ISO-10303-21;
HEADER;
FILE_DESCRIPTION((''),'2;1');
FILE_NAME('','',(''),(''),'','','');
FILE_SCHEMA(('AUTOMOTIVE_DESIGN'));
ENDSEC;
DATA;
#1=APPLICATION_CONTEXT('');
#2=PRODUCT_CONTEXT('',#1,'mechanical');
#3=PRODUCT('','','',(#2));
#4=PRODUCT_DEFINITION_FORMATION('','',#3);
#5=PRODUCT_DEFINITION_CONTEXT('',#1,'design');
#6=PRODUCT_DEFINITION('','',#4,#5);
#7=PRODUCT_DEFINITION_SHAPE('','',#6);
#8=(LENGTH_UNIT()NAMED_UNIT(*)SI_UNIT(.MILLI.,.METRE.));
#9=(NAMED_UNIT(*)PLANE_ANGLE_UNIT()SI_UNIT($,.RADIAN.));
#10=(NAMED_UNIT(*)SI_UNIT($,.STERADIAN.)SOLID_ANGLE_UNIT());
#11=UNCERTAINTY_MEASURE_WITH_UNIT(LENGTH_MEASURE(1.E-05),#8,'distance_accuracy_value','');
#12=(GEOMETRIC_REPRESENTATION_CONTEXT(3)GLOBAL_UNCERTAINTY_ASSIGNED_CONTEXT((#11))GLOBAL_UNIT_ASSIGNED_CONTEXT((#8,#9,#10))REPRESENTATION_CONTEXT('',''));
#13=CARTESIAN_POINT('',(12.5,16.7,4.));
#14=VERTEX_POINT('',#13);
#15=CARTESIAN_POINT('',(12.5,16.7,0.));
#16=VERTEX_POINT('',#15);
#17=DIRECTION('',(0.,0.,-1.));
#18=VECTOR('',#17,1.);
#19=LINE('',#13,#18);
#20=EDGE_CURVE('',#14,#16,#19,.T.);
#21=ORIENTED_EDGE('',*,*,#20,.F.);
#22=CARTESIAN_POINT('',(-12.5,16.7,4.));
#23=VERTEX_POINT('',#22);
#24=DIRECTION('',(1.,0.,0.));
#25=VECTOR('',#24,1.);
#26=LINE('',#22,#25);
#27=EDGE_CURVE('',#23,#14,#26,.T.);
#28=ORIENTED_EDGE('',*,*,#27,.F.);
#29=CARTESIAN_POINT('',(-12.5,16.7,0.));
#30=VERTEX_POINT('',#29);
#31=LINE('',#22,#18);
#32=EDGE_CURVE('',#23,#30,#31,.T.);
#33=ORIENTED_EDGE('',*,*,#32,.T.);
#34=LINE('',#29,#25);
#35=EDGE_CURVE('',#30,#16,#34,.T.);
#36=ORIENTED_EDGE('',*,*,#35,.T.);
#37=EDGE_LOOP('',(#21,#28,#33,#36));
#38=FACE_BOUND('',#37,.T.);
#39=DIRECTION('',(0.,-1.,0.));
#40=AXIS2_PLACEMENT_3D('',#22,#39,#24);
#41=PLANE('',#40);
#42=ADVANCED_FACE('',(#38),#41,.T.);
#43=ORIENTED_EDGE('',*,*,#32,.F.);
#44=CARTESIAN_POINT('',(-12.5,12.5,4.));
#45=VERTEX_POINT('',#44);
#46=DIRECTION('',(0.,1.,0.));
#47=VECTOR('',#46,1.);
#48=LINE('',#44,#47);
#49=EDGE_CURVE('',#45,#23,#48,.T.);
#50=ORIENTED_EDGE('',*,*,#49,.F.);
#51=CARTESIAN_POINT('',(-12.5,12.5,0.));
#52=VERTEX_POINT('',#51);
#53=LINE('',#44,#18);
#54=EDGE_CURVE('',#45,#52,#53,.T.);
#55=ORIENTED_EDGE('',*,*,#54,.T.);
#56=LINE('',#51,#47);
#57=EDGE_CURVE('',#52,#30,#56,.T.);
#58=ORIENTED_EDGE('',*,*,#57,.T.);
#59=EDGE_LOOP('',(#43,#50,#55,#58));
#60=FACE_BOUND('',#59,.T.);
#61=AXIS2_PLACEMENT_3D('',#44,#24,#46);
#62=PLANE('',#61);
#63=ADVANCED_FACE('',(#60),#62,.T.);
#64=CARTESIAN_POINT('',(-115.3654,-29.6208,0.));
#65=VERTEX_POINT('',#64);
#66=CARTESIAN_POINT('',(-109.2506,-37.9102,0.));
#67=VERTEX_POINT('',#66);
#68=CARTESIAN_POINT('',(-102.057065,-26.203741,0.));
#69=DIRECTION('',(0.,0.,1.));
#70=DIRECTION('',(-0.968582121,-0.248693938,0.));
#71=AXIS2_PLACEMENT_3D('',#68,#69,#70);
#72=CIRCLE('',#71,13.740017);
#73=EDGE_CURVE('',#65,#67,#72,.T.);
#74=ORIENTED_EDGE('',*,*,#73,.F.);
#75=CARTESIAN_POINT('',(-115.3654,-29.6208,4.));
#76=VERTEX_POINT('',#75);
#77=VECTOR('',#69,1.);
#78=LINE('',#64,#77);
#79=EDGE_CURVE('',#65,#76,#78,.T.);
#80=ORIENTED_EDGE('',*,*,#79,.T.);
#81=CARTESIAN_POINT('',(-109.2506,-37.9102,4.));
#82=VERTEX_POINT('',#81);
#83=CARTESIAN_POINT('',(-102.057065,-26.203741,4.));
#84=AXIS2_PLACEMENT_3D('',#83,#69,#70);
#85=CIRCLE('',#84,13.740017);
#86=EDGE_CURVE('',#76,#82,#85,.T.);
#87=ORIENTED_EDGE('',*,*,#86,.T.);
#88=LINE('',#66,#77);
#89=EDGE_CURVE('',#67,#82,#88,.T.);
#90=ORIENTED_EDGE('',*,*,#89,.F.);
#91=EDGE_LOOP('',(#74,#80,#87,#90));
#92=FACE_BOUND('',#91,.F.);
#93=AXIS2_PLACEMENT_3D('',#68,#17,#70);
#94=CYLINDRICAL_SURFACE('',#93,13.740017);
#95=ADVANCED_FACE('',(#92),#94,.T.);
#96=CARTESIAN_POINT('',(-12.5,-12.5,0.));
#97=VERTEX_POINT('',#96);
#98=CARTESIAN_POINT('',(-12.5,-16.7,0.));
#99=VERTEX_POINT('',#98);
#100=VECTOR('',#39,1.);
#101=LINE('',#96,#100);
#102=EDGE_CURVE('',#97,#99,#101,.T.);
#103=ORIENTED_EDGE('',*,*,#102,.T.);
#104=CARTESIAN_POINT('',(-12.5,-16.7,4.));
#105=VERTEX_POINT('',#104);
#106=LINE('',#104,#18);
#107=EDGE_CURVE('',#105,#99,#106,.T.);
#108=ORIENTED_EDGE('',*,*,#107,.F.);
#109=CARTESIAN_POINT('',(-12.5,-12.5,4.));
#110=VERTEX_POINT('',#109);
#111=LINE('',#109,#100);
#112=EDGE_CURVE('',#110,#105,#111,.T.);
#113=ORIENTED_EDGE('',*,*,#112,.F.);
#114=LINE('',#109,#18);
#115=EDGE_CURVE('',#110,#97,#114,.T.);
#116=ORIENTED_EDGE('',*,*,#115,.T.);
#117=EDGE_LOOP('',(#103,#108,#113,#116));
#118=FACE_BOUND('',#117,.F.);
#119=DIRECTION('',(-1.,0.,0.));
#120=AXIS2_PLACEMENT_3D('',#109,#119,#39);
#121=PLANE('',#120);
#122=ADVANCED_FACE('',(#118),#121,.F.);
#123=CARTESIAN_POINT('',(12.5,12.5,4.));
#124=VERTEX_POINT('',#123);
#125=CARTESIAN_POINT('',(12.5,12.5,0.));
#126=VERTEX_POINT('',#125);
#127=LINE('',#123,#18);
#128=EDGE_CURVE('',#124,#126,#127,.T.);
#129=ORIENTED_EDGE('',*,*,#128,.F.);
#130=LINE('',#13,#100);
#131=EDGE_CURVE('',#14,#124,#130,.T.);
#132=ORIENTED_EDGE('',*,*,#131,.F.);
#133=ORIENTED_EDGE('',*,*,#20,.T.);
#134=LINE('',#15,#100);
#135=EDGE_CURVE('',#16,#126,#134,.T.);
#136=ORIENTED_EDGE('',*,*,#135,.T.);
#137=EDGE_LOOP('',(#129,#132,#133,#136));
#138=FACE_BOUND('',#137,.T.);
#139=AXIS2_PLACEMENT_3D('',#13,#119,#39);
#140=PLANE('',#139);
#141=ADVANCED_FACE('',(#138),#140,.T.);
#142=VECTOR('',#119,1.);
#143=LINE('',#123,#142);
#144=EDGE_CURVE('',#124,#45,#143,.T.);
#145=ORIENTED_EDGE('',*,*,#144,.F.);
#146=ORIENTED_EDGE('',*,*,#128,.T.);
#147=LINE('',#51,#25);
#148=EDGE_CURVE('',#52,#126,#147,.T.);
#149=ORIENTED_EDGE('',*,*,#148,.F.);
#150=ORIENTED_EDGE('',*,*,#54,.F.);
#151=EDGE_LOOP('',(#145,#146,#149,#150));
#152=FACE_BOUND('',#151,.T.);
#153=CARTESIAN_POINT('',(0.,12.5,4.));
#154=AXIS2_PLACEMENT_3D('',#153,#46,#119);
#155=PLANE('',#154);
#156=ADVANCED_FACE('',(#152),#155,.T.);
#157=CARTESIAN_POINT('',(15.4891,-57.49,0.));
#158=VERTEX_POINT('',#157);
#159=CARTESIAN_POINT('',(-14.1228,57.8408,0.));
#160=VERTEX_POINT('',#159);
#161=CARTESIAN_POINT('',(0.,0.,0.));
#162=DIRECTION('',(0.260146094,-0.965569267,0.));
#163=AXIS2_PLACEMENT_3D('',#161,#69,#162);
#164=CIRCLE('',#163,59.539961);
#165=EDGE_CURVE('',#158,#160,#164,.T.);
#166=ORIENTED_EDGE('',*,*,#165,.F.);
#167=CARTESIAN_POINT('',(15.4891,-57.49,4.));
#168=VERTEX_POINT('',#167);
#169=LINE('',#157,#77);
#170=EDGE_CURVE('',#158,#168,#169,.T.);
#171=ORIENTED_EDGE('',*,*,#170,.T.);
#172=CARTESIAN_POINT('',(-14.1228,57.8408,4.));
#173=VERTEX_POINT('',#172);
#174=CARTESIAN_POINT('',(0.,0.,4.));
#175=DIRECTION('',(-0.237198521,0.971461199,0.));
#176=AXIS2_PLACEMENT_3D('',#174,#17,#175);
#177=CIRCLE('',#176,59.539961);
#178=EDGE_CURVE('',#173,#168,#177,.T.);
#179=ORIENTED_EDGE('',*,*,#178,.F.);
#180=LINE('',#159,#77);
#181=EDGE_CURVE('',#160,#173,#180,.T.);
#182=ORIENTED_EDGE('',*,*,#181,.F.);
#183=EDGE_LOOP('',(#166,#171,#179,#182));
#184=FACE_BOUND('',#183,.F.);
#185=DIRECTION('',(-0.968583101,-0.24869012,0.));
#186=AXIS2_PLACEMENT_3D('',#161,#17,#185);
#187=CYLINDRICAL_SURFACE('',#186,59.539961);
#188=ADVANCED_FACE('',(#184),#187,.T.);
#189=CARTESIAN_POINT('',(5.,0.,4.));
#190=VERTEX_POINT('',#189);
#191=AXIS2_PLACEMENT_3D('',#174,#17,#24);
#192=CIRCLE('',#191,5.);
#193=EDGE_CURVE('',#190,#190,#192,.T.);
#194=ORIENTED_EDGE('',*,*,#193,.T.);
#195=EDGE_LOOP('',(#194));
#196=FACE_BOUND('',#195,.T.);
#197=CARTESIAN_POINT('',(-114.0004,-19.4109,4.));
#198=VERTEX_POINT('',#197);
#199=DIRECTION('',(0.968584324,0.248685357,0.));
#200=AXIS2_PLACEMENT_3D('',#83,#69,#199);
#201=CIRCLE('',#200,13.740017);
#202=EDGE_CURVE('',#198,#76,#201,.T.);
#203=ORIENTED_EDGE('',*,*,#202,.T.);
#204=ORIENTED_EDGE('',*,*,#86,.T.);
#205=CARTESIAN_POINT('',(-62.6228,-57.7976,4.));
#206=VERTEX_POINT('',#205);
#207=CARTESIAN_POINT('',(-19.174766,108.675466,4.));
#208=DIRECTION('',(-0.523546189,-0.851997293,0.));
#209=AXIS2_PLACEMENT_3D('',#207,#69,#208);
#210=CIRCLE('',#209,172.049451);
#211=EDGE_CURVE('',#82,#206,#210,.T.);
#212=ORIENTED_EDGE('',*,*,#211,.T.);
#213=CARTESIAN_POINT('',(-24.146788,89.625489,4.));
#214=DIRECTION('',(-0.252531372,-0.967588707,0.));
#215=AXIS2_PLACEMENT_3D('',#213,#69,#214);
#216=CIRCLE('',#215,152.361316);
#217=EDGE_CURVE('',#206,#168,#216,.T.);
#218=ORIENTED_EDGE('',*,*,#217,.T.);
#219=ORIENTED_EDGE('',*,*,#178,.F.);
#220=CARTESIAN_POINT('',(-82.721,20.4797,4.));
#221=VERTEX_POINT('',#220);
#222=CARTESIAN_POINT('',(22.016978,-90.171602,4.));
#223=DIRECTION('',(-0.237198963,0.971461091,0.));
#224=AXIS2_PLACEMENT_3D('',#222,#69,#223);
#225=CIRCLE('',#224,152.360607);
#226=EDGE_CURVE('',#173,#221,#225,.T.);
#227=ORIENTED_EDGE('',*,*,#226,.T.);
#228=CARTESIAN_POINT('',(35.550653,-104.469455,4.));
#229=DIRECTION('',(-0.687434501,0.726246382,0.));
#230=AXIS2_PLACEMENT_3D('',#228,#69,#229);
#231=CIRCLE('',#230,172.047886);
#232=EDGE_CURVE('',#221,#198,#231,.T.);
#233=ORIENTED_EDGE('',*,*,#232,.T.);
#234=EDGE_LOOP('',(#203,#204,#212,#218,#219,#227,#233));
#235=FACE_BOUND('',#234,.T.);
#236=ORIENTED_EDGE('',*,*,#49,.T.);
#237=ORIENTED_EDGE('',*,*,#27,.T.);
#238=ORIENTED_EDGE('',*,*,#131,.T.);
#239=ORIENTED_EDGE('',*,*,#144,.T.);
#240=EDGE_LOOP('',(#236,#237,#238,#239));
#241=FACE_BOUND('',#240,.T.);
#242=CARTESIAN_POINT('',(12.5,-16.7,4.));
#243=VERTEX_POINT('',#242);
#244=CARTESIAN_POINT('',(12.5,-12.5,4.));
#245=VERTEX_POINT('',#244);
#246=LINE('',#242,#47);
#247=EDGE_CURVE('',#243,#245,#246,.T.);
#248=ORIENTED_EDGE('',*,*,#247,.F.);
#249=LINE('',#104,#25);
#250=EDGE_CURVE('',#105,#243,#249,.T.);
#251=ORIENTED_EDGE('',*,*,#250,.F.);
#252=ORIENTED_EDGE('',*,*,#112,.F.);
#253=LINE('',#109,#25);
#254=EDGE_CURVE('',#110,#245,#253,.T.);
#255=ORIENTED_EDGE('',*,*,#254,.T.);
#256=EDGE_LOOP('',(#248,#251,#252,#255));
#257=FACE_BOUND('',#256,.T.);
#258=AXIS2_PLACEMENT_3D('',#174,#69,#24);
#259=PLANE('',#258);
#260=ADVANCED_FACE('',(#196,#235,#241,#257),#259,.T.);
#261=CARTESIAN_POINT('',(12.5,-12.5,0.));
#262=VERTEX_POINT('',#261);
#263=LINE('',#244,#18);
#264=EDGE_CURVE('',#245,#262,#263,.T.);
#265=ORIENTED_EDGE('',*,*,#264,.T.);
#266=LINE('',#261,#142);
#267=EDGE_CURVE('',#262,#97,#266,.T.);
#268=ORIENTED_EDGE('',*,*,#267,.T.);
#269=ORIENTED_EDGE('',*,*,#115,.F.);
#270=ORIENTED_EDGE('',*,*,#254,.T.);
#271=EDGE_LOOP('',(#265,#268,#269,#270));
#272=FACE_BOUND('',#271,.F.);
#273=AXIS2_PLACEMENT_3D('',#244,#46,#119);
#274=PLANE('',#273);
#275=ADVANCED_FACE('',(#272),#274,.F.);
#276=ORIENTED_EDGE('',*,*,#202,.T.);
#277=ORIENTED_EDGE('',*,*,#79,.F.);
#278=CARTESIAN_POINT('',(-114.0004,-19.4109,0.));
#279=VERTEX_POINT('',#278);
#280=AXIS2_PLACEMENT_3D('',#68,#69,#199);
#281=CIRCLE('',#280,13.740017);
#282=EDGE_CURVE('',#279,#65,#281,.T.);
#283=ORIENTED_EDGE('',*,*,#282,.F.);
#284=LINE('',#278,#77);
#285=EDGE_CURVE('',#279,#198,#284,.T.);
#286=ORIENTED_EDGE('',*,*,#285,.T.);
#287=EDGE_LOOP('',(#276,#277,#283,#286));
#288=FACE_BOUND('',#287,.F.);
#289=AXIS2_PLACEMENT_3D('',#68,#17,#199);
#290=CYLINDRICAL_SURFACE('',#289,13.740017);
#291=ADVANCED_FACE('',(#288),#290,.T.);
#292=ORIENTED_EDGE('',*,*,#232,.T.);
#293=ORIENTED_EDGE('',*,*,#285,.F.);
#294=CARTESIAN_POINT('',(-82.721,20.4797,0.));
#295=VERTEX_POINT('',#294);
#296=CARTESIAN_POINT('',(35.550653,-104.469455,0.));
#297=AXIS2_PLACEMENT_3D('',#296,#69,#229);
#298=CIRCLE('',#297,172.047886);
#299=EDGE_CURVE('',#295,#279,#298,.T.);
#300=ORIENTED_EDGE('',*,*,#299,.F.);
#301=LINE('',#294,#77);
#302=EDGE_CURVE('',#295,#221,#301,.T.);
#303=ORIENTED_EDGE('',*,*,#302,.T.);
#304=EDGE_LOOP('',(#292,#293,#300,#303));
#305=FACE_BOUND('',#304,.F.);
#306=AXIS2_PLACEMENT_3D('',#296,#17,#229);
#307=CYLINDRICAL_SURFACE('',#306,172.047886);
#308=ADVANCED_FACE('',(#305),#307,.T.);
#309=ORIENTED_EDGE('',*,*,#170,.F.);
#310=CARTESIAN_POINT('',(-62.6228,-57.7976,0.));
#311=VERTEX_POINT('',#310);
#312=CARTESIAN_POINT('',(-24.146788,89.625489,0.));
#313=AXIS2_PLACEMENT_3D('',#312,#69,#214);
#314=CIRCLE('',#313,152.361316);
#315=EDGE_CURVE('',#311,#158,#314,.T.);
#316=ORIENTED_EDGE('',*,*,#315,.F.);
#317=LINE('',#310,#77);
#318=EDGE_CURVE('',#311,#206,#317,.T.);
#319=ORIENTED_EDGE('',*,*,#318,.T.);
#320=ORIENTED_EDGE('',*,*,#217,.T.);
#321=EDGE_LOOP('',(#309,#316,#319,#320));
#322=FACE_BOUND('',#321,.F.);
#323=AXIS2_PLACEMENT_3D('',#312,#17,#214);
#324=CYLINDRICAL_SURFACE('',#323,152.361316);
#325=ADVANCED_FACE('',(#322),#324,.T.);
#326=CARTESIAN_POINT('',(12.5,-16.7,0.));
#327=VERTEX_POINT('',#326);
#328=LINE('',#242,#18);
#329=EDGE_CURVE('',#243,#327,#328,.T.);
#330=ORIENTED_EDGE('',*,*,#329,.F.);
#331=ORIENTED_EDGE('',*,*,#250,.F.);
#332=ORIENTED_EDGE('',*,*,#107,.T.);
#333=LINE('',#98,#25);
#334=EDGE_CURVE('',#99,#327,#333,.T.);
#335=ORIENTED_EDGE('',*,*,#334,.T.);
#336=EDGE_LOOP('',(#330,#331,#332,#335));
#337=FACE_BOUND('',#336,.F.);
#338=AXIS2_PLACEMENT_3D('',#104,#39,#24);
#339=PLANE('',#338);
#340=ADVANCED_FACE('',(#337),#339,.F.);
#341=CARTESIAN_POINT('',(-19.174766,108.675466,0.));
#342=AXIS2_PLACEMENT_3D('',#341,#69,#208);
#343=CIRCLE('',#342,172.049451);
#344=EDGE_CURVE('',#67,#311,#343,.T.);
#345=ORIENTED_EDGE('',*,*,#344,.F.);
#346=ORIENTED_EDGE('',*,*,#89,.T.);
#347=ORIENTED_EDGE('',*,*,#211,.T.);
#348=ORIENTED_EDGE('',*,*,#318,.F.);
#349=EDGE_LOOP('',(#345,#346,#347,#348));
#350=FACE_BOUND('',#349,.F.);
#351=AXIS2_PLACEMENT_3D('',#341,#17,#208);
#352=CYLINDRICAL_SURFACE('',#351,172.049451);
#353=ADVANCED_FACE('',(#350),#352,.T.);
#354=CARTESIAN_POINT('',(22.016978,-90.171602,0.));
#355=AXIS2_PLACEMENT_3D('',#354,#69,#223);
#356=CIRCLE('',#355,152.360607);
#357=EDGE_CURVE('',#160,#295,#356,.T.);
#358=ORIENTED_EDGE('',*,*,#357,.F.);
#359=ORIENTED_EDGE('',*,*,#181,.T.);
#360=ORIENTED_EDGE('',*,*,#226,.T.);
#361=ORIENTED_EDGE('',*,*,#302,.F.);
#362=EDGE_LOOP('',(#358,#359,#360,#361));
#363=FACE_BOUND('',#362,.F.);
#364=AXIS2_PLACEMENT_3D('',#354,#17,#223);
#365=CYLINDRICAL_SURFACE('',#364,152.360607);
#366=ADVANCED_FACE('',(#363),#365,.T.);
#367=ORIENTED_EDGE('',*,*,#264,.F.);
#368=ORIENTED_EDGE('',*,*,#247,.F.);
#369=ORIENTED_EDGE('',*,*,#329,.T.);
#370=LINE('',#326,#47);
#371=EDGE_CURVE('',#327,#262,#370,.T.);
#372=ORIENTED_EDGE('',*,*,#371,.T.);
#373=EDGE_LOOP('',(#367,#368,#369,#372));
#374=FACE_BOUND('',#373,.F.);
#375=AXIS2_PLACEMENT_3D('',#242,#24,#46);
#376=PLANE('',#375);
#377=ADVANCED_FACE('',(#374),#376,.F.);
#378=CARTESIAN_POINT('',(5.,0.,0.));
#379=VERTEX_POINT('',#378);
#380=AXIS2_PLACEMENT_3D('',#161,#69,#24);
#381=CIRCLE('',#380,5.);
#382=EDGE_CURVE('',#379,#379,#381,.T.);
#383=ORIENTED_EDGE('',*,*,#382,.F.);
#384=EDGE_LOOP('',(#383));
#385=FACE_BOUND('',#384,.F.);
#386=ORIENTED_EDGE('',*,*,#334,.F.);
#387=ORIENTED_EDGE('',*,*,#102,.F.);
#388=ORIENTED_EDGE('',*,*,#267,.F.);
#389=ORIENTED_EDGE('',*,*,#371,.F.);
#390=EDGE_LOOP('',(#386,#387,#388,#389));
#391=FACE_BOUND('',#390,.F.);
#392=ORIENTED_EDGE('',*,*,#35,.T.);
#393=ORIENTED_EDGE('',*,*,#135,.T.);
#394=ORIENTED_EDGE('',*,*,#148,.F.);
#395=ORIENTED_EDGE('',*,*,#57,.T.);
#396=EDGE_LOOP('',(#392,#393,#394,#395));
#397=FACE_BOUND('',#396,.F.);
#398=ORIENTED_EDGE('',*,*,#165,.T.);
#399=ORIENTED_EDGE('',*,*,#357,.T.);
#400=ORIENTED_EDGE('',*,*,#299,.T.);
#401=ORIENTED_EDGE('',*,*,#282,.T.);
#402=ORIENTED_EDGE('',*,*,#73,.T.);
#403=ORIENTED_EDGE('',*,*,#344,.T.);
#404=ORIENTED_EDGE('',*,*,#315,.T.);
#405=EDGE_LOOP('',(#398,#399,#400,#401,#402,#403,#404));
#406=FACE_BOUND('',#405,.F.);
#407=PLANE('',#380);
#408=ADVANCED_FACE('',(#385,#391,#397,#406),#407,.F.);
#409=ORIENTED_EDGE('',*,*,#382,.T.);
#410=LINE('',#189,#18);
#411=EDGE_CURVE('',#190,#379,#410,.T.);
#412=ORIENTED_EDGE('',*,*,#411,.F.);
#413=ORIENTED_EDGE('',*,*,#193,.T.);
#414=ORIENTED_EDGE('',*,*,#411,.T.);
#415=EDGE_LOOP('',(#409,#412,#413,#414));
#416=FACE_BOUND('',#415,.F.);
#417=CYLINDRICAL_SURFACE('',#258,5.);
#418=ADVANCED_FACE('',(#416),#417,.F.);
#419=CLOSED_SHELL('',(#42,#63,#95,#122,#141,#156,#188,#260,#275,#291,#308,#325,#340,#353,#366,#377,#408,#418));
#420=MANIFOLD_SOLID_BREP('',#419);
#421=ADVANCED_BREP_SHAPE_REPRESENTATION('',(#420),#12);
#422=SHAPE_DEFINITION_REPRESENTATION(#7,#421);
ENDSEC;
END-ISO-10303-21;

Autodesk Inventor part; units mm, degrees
ref_plane "YZ Plane" through (0, 0, 0) normal (1, 0, 0) x (0, 1, 0)
ref_plane "XZ Plane" through (0, 0, 0) normal (0, 1, 0) x (-1, 0, 0)
ref_plane "XY Plane" through (0, 0, 0) normal (0, 0, 1) x (1, 0, 0)
sketch "Boceto1" plane through (0, 0, 0) normal (0, 0, 1) x (1, 0, 0)
  arc A0 (57.6694, 14.807) -> (-57.6694, -14.807) centre (0, 0) ccw
  arc A1 (-88.7487, -22.7868) -> (-115.3654, -29.6208) centre (-102.0571, -26.2038) ccw
  line L0 (-119.2185, -30.6101) -> (-122.6355, -17.3018)
  line L1 (-14.1228, 57.8408) -> (-19.8178, 80.0214)
  line L2 (-19.8178, 80.0214) -> (-122.6355, -17.3018)
  line L3 (-122.6355, -17.3018) -> (-82.721, 20.4797)
  arc A2 (-14.1228, 57.8408) -> (-82.721, 20.4797) centre (22.0169, -90.1714) ccw
  arc A3 (-82.721, 20.4797) -> (-114.0004, -19.4109) centre (35.5518, -104.4705) ccw
  line L4 (4.4361, 1.139) -> (57.6694, 14.807)
  line L5 (-4.4361, -1.139) -> (-119.2185, -30.6101)
  arc A4 (-57.6694, -14.807) -> (57.6694, 14.807) centre (0, 0) ccw
  arc A5 (-115.3654, -29.6208) -> (-88.7487, -22.7868) centre (-102.0571, -26.2038) ccw
  line L6 (-119.2185, -30.6101) -> (-115.8015, -43.9184)
  line L7 (15.4891, -57.49) -> (21.1841, -79.6705)
  line L8 (21.1841, -79.6705) -> (-115.8015, -43.9184)
  line L9 (-115.8015, -43.9184) -> (-62.6228, -57.7976)
  arc A6 (-62.6228, -57.7976) -> (15.4891, -57.49) centre (-24.1469, 89.6246) ccw
  arc A7 (-109.2506, -37.9102) -> (-62.6228, -57.7976) centre (-19.1748, 108.6754) ccw
  dimension "d0" = 119.08
  dimension "d6" = 27.48
  dimension "d7" = 13.74
  dimension "d8" = 22.9
  dimension "d9" = 54.96
extrude "Extrusión2" add sketch "Boceto1" along normal blind 4 contours A4 A0 | A0 L5 A1 A3 A2 | A6 A7 A5 L5 A4 | L5 A1 | A5 L5
sketch "Boceto2" plane through (0, 0, 4) normal (0, 0, 1) x (1, 0, 0)
  line L0 (0, 0) -> (0, 12.5)
  line L1 (0, 12.5) -> (-12.5, 12.5)
  line L2 (-12.5, 12.5) -> (-12.5, 16.7)
  line L3 (-12.5, 16.7) -> (12.5, 16.7)
  line L4 (12.5, 16.7) -> (12.5, 12.5)
  line L5 (12.5, 12.5) -> (0, 12.5)
  line L6 (0, 0) -> (12.5, 0)
  line L7 (0, 0) -> (0, -12.5)
  line L8 (0, -12.5) -> (-12.5, -12.5)
  line L9 (-12.5, -12.5) -> (-12.5, -16.7)
  line L10 (-12.5, -16.7) -> (12.5, -16.7)
  line L11 (12.5, -16.7) -> (12.5, -12.5)
  line L12 (12.5, -12.5) -> (0, -12.5)
  circle A0 centre (0, 0) radius 5
  dimension "d24" = 12.5
  dimension "d25" = 12.5
  dimension "d26" = 4.2
  dimension "d27" = 25
  dimension "d28" = 10
extrude "Extrusión3" cut sketch "Boceto2" against normal blind 4
properties part number "leva00" material "Madera (abedul)"
